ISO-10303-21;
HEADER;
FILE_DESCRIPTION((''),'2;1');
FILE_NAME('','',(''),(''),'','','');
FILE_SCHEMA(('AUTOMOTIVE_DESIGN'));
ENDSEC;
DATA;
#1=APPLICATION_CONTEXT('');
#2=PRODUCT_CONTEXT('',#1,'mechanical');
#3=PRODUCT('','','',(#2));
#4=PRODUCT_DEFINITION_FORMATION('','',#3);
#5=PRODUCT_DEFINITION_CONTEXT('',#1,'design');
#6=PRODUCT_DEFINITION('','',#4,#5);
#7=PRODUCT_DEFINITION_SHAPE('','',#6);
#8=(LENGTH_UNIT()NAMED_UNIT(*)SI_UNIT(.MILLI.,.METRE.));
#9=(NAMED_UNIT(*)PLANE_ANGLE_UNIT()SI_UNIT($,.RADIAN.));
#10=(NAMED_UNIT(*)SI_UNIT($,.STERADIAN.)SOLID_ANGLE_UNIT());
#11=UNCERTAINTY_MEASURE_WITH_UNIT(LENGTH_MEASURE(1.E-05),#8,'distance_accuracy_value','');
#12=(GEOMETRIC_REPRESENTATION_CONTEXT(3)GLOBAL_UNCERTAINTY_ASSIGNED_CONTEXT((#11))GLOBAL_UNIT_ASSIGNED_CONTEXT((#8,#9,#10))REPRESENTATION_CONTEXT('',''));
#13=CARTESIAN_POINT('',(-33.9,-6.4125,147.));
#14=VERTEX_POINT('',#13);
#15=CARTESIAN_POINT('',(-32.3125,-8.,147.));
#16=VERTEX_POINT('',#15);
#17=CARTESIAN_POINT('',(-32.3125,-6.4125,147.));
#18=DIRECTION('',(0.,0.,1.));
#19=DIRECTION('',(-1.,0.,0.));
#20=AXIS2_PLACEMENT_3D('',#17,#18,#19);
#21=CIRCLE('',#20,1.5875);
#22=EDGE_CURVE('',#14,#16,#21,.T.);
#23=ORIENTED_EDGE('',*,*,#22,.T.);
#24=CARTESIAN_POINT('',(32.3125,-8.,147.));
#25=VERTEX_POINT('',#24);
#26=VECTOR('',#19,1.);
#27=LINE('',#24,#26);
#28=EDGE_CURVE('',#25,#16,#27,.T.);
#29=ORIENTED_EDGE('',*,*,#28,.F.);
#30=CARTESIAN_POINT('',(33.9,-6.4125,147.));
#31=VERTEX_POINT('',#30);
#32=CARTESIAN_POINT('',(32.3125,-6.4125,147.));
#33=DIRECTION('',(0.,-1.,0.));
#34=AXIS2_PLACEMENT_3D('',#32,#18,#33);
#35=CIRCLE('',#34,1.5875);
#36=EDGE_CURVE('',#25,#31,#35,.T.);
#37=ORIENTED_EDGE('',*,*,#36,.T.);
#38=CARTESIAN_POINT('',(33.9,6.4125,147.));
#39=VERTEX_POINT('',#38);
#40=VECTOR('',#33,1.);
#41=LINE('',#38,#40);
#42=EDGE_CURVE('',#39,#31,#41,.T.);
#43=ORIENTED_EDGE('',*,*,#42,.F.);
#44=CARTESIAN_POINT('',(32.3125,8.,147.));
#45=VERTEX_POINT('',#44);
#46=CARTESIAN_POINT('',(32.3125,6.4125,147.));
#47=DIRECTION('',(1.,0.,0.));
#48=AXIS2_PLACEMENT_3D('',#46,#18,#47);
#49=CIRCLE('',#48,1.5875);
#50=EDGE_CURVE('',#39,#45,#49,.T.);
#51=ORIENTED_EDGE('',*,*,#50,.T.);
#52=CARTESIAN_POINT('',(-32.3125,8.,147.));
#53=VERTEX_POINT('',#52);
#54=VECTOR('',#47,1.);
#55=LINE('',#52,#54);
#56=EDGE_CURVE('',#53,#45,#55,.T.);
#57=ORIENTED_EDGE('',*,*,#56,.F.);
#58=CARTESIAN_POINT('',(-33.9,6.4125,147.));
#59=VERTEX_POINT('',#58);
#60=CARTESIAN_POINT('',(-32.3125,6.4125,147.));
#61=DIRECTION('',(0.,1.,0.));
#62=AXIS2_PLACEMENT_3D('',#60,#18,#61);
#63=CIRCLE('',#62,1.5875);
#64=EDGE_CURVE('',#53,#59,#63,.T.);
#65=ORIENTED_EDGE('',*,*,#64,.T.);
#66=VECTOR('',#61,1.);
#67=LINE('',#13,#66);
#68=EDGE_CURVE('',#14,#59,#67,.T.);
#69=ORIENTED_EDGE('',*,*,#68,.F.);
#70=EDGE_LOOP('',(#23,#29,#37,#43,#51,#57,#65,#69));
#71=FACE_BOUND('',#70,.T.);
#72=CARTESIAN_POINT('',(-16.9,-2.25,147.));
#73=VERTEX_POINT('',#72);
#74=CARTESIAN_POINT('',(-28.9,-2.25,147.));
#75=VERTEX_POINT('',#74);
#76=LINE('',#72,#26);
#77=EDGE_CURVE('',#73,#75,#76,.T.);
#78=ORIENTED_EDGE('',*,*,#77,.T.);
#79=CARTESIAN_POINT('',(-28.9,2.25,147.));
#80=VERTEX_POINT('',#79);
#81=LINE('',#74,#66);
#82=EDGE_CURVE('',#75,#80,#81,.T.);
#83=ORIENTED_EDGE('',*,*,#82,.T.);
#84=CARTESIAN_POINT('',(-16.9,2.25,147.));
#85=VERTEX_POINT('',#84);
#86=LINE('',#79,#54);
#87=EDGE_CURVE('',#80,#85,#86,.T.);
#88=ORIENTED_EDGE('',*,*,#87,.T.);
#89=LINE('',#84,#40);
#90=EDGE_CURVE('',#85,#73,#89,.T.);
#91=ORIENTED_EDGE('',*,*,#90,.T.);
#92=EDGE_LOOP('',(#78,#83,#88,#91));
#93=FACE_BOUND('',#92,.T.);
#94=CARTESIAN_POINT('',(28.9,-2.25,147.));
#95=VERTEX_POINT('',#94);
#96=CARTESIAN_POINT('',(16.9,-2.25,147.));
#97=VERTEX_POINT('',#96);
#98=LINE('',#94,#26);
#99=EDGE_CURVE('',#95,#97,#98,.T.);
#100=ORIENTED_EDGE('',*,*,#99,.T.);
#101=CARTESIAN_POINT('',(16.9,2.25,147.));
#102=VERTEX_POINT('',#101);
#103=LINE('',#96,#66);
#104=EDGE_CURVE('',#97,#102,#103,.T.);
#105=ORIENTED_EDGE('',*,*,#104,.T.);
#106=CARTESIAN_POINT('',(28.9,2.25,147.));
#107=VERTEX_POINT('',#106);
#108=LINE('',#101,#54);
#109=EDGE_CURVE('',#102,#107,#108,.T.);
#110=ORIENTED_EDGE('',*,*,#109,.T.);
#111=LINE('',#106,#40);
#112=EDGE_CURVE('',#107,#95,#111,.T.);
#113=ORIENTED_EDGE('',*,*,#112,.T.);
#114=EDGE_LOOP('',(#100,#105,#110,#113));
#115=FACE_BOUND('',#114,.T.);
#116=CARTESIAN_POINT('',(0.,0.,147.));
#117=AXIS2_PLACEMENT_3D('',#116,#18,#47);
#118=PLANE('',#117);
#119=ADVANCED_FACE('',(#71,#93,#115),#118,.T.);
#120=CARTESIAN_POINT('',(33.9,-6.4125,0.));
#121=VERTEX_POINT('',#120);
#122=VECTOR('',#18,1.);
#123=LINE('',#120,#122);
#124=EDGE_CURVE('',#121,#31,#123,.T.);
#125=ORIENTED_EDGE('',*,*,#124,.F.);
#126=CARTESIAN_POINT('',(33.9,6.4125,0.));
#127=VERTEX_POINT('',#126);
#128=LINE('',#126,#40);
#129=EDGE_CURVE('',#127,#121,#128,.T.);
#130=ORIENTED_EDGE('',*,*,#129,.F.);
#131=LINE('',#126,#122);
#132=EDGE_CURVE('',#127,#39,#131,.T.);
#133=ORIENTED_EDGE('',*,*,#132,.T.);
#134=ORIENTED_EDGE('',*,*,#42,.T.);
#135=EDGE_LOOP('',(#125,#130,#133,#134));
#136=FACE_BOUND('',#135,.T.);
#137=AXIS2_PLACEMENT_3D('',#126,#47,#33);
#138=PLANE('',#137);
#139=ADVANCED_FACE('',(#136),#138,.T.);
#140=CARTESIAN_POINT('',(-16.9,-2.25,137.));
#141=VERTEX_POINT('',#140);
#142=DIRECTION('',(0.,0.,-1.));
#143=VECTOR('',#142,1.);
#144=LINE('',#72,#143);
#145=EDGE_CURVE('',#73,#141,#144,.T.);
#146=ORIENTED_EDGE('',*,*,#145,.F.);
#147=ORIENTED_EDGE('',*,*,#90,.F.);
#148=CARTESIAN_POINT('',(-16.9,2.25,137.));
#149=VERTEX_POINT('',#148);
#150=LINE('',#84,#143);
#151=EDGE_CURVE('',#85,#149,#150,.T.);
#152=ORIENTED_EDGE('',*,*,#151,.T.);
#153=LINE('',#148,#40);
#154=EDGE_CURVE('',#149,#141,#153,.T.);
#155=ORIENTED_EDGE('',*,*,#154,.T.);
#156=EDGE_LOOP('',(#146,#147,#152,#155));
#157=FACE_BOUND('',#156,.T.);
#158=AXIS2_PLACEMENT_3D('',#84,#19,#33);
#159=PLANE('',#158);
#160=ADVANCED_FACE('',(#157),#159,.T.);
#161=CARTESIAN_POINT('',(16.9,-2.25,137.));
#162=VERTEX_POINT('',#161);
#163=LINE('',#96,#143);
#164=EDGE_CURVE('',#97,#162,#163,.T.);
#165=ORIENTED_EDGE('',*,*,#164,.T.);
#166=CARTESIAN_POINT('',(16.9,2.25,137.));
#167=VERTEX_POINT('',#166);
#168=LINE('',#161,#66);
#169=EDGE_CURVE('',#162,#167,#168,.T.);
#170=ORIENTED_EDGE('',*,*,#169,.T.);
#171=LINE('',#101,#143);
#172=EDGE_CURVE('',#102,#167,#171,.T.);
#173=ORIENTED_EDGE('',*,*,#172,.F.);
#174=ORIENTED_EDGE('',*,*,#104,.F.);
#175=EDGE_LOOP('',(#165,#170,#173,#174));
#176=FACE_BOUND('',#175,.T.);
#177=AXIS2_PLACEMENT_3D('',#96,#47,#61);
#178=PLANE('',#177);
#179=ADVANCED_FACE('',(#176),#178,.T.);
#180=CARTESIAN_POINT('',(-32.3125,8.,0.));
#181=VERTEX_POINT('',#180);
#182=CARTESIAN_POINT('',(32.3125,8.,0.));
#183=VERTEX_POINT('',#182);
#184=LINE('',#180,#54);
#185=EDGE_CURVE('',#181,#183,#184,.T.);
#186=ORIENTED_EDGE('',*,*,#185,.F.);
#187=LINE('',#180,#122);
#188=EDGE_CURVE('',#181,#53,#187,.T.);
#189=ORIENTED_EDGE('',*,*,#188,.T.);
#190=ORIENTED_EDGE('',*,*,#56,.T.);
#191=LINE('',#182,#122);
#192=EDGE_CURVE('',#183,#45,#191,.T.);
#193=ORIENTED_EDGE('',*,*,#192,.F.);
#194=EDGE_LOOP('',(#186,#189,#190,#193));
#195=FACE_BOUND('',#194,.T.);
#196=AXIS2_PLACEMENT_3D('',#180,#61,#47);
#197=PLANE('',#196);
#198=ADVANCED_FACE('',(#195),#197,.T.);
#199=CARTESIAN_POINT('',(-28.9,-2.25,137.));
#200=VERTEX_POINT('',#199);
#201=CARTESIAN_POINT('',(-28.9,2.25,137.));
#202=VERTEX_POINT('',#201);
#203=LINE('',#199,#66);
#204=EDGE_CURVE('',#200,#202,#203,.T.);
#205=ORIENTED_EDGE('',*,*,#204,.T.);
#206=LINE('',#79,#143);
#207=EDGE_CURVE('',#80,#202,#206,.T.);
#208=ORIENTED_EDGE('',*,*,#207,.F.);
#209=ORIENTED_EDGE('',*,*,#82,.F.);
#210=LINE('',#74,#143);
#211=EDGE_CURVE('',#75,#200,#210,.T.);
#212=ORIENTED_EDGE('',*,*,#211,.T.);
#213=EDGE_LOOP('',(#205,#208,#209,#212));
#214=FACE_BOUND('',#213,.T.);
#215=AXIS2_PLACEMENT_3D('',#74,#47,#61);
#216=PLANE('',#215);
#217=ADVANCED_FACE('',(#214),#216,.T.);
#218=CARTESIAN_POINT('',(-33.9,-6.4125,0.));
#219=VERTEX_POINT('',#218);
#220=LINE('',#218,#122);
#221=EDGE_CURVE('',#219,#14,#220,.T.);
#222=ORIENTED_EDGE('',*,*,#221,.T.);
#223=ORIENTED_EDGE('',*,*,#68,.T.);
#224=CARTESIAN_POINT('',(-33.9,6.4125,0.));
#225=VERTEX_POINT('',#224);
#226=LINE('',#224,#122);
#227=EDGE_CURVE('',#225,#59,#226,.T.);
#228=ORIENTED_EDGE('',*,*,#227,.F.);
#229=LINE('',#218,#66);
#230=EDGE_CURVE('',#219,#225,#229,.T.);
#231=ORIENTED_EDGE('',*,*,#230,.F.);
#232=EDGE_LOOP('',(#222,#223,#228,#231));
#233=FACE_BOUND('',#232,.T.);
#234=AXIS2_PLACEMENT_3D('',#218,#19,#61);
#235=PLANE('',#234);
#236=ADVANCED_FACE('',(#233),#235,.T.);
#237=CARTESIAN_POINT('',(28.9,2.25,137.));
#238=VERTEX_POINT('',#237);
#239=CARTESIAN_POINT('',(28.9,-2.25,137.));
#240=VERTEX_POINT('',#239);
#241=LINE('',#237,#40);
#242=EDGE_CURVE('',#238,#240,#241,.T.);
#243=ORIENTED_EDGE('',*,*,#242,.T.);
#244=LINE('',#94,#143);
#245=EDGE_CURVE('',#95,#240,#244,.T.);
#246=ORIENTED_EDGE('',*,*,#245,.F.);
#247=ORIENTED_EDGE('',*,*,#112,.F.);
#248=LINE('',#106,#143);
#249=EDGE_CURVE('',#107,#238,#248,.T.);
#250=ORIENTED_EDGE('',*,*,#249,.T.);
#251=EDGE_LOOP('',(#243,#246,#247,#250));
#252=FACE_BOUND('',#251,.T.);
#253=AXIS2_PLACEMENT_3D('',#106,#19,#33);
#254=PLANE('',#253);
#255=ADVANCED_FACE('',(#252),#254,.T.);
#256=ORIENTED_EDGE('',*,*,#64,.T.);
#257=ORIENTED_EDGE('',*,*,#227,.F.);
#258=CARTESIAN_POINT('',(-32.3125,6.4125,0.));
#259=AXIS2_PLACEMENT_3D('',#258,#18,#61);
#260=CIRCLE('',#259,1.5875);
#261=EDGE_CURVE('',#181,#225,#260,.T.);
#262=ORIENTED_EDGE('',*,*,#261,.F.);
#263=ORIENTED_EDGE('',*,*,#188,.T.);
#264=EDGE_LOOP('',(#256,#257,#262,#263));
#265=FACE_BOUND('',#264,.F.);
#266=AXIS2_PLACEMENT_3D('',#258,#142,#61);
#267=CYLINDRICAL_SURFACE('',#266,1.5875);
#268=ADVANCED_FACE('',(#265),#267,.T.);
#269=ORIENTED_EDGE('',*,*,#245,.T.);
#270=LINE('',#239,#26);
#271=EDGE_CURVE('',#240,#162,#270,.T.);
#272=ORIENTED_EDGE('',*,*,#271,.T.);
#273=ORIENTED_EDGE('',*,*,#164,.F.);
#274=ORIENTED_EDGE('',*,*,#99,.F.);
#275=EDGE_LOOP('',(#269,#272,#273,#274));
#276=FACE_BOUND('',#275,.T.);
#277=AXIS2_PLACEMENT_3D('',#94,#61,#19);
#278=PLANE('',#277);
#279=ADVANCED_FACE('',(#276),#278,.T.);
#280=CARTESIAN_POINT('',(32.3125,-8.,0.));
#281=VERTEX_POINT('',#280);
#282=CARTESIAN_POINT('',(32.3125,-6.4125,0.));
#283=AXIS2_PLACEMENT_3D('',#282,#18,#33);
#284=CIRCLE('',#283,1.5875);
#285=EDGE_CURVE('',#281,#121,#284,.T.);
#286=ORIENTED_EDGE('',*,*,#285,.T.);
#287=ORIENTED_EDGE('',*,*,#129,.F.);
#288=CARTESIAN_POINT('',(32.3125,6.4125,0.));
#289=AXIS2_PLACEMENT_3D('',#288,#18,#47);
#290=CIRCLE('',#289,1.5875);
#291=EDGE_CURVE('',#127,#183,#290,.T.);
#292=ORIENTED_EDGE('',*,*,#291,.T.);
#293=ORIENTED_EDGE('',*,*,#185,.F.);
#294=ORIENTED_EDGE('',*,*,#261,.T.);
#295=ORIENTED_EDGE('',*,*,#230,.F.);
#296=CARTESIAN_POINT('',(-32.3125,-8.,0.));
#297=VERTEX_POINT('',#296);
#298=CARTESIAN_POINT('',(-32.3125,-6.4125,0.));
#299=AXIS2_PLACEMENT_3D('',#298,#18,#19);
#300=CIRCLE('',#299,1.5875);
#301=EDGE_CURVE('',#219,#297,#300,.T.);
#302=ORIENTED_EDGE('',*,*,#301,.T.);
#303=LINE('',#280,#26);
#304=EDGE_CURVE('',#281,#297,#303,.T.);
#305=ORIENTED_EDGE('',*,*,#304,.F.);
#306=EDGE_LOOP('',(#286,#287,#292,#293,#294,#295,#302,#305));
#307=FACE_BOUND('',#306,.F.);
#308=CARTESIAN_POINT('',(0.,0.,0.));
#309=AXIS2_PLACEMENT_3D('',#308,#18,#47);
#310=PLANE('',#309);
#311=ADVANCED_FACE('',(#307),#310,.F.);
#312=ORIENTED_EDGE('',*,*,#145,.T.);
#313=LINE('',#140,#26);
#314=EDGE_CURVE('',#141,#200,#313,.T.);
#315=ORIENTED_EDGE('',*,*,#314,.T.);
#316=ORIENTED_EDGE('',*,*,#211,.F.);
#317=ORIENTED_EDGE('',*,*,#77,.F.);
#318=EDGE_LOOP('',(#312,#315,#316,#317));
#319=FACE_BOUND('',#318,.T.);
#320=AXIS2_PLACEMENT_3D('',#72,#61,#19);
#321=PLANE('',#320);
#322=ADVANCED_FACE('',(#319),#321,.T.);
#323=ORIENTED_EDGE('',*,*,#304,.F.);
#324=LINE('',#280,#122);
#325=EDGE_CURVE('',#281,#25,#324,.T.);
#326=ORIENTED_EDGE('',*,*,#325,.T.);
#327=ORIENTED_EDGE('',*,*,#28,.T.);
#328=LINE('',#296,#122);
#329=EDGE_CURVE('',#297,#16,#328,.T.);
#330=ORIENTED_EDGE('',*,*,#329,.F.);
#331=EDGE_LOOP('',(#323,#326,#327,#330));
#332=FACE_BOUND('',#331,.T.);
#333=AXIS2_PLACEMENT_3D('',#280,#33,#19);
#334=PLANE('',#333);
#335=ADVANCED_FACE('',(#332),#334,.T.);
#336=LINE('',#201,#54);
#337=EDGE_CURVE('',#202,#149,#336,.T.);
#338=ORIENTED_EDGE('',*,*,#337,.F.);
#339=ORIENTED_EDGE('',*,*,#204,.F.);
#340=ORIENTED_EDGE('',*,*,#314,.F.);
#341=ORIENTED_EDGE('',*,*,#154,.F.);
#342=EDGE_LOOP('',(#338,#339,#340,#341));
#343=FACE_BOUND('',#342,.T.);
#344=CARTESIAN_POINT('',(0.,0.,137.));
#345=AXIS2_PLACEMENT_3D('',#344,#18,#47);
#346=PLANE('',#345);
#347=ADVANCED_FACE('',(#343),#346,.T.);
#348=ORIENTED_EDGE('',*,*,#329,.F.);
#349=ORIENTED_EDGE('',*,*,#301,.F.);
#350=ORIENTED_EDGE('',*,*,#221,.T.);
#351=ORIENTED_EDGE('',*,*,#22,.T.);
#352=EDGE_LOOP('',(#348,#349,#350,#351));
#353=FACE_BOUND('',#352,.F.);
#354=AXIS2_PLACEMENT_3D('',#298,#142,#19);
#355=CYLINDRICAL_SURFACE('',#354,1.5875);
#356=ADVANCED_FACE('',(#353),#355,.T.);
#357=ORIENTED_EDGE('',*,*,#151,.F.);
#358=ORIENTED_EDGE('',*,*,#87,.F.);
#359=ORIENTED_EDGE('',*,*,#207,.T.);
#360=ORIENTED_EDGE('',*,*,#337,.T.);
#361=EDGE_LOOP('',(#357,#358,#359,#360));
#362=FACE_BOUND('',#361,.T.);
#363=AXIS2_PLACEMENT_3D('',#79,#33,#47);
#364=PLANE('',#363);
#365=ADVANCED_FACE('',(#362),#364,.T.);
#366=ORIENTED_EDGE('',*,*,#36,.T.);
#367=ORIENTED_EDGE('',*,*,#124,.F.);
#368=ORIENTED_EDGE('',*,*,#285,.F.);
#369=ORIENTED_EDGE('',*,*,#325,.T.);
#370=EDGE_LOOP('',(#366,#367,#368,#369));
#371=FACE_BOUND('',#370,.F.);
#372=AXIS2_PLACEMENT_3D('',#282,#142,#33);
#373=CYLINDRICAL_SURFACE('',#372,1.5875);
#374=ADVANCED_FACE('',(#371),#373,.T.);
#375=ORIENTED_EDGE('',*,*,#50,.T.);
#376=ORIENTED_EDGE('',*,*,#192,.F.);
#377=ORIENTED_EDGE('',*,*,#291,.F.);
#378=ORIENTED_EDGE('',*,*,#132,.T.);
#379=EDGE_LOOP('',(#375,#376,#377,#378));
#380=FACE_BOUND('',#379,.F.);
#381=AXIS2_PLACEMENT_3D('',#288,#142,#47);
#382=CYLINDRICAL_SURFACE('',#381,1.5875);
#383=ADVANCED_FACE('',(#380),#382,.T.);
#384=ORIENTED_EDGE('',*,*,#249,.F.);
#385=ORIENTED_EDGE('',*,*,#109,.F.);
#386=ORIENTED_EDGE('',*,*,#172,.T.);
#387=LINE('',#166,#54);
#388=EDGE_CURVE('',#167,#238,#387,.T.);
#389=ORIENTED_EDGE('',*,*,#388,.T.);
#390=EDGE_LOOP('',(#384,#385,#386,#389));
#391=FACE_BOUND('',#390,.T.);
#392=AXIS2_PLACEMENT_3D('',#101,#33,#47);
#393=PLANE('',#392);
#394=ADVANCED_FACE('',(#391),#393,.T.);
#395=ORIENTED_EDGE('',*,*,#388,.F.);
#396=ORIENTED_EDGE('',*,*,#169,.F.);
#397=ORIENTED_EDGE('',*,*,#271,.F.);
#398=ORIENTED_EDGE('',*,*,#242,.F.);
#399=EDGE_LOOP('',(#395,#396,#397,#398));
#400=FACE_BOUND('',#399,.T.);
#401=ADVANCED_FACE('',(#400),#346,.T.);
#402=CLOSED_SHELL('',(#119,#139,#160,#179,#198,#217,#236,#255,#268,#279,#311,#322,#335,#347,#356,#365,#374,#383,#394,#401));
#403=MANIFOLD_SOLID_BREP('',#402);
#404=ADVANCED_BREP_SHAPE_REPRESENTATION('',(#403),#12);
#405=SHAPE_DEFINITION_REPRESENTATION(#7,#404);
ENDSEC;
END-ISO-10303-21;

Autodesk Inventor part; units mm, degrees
ref_plane "YZ Plane" through (0, 0, 0) normal (1, 0, 0) x (0, 1, 0)
ref_plane "XZ Plane" through (0, 0, 0) normal (0, 1, 0) x (-1, 0, 0)
ref_plane "XY Plane" through (0, 0, 0) normal (0, 0, 1) x (1, 0, 0)
sketch "Sketch1" plane through (0, 0, 0) normal (0, 0, 1) x (1, 0, 0)
  line L0 (-32.3125, 8) -> (32.3125, 8)
  line L1 (33.9, 6.4125) -> (33.9, -6.4125)
  line L2 (32.3125, -8) -> (-32.3125, -8)
  line L3 (-33.9, -6.4125) -> (-33.9, 6.4125)
  arc A0 (-32.3125, 8) -> (-33.9, 6.4125) centre (-32.3125, 6.4125) ccw
  arc A1 (33.9, 6.4125) -> (32.3125, 8) centre (32.3125, 6.4125) ccw
  arc A2 (32.3125, -8) -> (33.9, -6.4125) centre (32.3125, -6.4125) ccw
  arc A3 (-33.9, -6.4125) -> (-32.3125, -8) centre (-32.3125, -6.4125) ccw
  dimension "d2" = 1.5875
extrude "Extrusion1" add sketch "Sketch1" along normal blind 147
sketch "Sketch2" plane through (0, 0, 147) normal (0, 0, 1) x (1, 0, 0)
  line L0 (-28.9, 2.25) -> (-16.9, 2.25)
  line L1 (-16.9, 2.25) -> (-16.9, -2.25)
  line L2 (-16.9, -2.25) -> (-28.9, -2.25)
  line L3 (-28.9, -2.25) -> (-28.9, 2.25)
  line L4 (-28.9, 2.25) -> (-16.9, -2.25) construction
  line L5 (-16.9, 2.25) -> (-28.9, -2.25) construction
  line L6 (16.9, 2.25) -> (28.9, 2.25)
  line L7 (28.9, 2.25) -> (28.9, -2.25)
  line L8 (28.9, -2.25) -> (16.9, -2.25)
  line L9 (16.9, -2.25) -> (16.9, 2.25)
  line L10 (16.9, 2.25) -> (28.9, -2.25) construction
  line L11 (28.9, 2.25) -> (16.9, -2.25) construction
  line L12 (-33.9, 6.4125) -> (-33.9, -6.4125) construction
  line L13 (-33.9, 0) -> (33.9, 0) construction
  line L14 (33.9, -6.4125) -> (33.9, 6.4125) construction
  point P0 (0, 0)
  point P1 (-22.9, 0)
  point P2 (22.9, 0)
  dimension "d11" = 12
  dimension "d12" = 12
  dimension "d13" = 4.5
  dimension "d14" = 4.5
  dimension "d15" = 5
  dimension "d16" = 5
extrude "Extrusion2" cut sketch "Sketch2" against normal blind 10
equation "\"d16\" = d15"
properties part number "5V_LIon_speedy"
